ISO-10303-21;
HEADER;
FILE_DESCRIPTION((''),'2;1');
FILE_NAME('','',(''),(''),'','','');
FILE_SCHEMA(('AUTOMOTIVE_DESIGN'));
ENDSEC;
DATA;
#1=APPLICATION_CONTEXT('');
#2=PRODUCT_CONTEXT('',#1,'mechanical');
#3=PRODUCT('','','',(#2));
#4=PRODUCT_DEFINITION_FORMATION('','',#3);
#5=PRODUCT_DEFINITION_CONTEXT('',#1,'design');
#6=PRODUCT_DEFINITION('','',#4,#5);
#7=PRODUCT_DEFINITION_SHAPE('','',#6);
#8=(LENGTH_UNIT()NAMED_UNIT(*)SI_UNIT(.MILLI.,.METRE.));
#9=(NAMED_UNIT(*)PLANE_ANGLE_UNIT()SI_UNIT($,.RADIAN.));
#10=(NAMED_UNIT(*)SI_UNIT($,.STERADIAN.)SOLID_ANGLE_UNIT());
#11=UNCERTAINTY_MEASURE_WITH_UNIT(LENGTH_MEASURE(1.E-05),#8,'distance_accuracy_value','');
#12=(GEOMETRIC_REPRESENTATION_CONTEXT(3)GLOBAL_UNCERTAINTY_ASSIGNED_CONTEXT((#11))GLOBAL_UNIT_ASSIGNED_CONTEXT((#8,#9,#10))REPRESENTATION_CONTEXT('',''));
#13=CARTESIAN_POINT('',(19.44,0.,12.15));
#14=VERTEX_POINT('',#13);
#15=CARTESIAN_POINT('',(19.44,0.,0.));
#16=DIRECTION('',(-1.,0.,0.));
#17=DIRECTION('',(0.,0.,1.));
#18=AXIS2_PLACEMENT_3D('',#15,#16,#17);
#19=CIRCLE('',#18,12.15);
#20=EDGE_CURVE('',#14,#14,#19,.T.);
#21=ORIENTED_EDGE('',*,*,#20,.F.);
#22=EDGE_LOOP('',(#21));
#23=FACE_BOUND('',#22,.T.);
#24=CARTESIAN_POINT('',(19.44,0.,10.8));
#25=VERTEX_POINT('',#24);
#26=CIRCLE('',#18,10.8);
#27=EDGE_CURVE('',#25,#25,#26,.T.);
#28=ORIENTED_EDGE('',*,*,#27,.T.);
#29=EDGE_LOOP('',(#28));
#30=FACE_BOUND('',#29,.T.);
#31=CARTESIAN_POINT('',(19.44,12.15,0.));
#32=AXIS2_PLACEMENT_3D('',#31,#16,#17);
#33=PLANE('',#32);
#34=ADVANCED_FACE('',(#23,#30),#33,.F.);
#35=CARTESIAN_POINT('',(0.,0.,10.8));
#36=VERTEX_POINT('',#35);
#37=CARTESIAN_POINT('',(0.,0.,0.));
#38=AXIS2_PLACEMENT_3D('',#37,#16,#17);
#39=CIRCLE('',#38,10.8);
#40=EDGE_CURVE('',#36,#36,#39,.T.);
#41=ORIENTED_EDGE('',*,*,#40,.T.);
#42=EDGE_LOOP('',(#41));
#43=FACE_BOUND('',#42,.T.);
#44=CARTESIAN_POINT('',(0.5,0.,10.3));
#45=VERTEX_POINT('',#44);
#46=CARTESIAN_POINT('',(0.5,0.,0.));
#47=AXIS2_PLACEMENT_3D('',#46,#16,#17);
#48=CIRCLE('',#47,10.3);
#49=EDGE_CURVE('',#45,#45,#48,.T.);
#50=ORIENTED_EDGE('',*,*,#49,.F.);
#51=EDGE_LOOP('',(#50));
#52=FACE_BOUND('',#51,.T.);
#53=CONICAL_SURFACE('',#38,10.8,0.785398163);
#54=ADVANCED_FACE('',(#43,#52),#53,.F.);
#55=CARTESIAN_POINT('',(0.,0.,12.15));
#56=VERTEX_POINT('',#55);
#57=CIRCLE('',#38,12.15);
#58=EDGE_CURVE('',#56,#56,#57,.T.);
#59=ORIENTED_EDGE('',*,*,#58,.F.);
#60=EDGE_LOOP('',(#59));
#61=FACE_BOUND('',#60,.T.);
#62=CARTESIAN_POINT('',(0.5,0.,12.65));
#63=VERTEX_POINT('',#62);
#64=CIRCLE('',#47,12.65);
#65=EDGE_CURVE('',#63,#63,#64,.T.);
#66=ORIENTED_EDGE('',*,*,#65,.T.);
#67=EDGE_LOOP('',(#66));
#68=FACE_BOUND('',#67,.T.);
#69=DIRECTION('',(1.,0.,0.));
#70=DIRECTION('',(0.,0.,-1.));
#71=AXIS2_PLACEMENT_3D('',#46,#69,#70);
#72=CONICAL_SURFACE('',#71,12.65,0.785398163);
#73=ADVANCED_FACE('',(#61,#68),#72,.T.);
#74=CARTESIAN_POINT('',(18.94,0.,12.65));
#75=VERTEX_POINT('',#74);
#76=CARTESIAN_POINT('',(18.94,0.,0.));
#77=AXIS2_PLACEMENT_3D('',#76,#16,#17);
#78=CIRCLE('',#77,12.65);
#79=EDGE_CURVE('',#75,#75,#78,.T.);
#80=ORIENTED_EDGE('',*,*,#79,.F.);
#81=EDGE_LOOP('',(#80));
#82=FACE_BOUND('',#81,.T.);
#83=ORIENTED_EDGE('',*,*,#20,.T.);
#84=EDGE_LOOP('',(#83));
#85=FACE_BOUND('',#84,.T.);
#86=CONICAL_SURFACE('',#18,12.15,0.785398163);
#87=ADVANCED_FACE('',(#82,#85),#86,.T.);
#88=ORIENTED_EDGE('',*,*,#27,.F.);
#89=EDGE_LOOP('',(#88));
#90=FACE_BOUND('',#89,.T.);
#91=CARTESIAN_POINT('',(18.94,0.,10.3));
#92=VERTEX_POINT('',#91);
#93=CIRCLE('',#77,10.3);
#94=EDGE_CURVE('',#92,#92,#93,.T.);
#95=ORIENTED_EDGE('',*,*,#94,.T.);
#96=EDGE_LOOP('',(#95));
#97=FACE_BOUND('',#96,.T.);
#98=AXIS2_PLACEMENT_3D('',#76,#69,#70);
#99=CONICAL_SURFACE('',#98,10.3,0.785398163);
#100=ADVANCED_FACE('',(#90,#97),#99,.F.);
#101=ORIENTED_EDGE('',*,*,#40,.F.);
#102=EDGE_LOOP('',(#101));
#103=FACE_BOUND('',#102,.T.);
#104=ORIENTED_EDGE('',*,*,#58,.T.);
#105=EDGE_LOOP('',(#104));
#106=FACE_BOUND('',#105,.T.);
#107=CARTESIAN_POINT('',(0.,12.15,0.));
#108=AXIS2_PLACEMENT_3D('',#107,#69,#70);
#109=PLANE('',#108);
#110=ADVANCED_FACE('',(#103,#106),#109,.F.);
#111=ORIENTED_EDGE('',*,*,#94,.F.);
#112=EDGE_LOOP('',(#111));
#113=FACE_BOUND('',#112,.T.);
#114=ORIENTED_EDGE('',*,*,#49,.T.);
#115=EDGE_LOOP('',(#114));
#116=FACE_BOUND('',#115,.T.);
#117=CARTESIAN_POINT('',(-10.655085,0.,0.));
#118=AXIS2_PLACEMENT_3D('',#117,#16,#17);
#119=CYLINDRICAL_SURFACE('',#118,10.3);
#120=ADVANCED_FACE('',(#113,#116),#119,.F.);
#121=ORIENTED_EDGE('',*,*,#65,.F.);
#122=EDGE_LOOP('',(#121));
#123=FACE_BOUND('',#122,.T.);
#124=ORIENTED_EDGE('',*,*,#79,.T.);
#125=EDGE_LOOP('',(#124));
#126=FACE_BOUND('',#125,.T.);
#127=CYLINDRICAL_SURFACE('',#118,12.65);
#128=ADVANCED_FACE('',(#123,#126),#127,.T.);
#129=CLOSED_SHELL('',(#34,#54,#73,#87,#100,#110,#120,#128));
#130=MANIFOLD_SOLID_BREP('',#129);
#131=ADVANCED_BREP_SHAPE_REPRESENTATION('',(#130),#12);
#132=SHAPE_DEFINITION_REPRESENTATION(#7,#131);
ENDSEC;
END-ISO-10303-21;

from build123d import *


with BuildPart() as part:
    # Esquisse1 → Révolution1 (revolve)
    with BuildSketch(Plane.XY, mode=Mode.PRIVATE) as r_volution1_sk:
        Polygon((0, 12.15), (0.5, 12.65), (18.94, 12.65), (19.44, 12.15), (19.44, 10.8), (18.94, 10.3), (0.5, 10.3), (0, 10.8), align=None)
    revolve(r_volution1_sk.sketch.rotate(Axis((-10.655084746, 0, 0), (1, 0, 0)), 90), axis=Axis((-10.655084746, 0, 0), (1, 0, 0)))


solid = part.part
